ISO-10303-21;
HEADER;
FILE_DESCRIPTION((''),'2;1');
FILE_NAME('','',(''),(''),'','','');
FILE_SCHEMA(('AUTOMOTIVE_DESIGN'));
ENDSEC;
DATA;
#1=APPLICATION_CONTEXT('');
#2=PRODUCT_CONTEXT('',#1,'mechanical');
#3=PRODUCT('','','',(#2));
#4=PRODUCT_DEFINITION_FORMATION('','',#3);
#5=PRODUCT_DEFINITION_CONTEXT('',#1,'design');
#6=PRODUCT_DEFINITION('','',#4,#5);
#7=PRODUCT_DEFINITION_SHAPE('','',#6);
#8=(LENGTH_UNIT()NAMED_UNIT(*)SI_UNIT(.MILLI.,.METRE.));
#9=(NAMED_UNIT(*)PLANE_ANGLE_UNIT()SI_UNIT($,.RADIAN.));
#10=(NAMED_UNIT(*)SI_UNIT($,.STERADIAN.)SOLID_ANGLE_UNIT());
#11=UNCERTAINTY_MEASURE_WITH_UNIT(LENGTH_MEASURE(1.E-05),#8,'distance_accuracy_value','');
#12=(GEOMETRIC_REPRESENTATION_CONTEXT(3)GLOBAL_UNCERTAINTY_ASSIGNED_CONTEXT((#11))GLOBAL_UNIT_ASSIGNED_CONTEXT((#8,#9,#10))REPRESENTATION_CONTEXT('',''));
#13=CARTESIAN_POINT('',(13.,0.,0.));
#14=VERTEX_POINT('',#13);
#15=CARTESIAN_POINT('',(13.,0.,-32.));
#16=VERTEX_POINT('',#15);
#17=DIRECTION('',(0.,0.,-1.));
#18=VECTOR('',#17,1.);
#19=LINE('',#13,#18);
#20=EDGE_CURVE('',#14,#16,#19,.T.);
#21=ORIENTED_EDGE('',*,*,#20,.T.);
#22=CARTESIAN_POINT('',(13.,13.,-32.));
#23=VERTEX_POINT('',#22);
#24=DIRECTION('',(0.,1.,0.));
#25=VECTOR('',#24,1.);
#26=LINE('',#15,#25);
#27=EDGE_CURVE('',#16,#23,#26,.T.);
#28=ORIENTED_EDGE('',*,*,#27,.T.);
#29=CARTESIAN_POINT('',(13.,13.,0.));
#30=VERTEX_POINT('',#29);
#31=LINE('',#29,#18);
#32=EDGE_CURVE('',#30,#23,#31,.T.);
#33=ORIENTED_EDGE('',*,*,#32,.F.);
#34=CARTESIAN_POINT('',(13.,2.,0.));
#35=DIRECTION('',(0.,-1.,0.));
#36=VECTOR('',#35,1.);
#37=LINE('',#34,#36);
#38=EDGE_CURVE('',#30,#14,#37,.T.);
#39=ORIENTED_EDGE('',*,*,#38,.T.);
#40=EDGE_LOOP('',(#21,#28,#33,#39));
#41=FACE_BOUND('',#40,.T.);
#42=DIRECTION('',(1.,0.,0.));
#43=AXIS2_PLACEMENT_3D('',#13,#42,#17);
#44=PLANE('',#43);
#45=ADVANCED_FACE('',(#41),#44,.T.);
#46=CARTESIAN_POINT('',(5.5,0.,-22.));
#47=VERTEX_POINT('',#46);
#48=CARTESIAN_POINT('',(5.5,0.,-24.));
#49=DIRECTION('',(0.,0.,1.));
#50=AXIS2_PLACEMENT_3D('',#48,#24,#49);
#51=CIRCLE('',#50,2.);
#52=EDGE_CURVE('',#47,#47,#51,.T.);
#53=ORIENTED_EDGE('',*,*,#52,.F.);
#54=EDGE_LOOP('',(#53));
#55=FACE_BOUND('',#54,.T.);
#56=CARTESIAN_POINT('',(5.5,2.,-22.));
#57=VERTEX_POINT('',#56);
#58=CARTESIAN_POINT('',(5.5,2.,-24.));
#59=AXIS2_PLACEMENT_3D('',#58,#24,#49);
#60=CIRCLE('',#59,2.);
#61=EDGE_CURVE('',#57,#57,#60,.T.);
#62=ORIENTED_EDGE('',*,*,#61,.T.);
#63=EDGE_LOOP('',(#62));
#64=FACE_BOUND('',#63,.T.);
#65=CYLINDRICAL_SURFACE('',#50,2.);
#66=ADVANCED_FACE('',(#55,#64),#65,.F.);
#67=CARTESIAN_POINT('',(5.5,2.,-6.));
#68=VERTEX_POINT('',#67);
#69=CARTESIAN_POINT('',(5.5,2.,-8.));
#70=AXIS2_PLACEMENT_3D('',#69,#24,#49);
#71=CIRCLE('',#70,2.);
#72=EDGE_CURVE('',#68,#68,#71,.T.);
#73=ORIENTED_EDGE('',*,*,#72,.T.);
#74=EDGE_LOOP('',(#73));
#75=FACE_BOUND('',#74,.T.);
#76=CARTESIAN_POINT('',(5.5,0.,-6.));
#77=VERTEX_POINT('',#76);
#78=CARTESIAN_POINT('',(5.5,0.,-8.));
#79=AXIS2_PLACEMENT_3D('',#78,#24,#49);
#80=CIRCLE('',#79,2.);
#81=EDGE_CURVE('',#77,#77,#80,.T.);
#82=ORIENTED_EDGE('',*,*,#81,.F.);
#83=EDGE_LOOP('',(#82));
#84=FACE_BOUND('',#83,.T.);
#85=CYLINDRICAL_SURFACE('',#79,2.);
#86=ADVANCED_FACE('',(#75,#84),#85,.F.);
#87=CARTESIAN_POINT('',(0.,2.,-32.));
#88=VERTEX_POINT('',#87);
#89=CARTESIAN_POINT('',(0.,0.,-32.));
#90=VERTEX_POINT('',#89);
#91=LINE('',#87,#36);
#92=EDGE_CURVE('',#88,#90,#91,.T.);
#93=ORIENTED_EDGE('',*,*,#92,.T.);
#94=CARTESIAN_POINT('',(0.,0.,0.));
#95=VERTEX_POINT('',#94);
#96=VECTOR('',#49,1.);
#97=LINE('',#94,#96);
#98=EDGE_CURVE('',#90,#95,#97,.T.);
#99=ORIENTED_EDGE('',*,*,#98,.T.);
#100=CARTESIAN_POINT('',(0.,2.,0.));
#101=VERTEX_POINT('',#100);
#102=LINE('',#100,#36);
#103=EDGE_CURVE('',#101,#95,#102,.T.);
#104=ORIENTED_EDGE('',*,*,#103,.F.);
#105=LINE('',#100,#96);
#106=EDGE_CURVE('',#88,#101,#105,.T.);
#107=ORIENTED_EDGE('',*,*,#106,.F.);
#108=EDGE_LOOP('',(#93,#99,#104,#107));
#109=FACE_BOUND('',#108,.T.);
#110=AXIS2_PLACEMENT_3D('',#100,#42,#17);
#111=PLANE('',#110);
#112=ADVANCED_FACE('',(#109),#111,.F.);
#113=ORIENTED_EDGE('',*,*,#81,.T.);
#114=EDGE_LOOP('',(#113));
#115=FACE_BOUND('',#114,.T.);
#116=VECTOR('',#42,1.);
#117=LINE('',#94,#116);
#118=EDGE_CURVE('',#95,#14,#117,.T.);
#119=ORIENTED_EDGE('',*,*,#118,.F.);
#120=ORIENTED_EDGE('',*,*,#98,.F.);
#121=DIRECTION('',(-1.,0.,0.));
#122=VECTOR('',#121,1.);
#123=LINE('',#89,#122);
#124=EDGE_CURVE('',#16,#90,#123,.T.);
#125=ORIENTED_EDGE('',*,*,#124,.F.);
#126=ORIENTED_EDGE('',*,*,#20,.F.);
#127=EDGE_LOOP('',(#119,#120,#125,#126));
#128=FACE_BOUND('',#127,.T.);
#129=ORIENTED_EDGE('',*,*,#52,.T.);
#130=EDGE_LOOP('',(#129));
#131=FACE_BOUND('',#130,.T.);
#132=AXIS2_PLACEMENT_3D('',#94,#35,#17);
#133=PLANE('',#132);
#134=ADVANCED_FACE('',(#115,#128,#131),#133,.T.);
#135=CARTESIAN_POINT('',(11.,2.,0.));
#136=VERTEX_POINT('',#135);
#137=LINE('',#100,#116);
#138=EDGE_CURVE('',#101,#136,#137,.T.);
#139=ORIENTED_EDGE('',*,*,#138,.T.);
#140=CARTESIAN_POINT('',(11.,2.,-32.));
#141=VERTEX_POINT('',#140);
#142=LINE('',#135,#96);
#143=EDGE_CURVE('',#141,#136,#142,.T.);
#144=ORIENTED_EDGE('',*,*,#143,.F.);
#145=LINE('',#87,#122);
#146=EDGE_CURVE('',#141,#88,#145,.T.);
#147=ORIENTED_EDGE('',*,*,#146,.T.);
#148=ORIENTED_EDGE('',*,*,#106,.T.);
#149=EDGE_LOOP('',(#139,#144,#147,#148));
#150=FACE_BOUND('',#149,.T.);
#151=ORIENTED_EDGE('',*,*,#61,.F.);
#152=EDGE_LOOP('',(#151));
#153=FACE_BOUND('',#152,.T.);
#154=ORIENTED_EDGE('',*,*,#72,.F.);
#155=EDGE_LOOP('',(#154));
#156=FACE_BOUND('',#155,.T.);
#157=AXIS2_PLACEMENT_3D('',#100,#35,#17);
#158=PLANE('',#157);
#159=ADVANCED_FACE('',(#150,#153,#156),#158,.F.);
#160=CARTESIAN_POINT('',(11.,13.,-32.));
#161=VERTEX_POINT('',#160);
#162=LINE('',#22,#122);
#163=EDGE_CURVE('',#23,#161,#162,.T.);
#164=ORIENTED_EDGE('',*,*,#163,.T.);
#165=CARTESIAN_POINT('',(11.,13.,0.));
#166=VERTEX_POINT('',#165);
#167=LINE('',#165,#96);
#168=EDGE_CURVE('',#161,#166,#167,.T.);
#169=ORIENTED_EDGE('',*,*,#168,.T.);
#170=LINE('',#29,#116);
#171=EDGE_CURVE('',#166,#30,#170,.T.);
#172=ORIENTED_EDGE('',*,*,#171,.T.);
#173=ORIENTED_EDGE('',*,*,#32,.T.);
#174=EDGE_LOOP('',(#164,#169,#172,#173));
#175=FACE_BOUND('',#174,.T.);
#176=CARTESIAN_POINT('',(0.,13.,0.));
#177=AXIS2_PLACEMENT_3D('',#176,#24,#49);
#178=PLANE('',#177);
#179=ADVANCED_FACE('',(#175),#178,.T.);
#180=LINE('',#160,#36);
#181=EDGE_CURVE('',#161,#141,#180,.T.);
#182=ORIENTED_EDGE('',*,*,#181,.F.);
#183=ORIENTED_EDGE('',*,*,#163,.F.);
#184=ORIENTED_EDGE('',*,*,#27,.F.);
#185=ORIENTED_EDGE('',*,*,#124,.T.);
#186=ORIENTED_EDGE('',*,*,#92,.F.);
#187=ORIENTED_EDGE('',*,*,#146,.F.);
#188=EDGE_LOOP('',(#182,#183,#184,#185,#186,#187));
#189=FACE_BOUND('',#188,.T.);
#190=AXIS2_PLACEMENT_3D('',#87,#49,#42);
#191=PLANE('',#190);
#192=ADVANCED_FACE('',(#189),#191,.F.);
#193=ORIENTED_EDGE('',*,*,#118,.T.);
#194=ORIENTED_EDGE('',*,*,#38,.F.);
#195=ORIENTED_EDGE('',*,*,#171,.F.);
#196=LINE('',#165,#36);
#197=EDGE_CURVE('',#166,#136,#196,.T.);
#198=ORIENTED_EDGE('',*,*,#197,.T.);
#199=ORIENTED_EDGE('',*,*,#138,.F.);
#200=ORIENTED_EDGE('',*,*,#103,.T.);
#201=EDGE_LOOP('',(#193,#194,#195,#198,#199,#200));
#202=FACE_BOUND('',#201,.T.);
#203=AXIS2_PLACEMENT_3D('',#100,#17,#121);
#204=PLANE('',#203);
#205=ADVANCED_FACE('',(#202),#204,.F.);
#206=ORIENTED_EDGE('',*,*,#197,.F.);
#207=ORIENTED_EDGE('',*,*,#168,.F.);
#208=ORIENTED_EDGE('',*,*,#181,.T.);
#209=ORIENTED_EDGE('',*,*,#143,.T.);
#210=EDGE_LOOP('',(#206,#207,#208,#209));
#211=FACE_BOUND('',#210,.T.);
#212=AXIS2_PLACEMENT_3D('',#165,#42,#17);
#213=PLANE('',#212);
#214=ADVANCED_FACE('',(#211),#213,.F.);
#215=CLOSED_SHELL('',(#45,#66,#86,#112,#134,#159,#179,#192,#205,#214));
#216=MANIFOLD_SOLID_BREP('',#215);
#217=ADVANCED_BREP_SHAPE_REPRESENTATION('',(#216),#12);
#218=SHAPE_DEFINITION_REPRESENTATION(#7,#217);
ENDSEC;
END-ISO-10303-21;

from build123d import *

# Parameters (mm, degrees)
SKETCH1_W           = 11
SKETCH1_H           = 32
BOSS_EXTRUDE1_DEPTH = 2
SKETCH4_W           = 32
SKETCH4_H           = 2
BOSS_EXTRUDE2_DEPTH = 2
SKETCH5_W           = 2
SKETCH5_H           = 32
BOSS_EXTRUDE3_DEPTH = 11
CUT_EXTRUDE6_DEPTH  = 37.249137921


with BuildPart() as part:
    # Sketch1 → Boss-Extrude1 (new body)
    with BuildSketch(Plane(origin=(0, 0, 0), x_dir=(1, 0, 0), z_dir=(0, 1, 0))):
        with Locations((5.5, 16)):
            Rectangle(SKETCH1_W, SKETCH1_H)
    extrude(amount=BOSS_EXTRUDE1_DEPTH)

    # Sketch4 → Boss-Extrude2 (add)
    with BuildSketch(Plane(origin=(11, 0, 0), x_dir=(0, 0, -1), z_dir=(1, 0, 0))):
        with Locations((16, 1)):
            Rectangle(SKETCH4_W, SKETCH4_H)
    extrude(amount=BOSS_EXTRUDE2_DEPTH)

    # Sketch5 → Boss-Extrude3 (add)
    with BuildSketch(Plane(origin=(0, 2, 0), x_dir=(1, 0, 0), z_dir=(0, 1, 0))):
        with Locations((12, 16)):
            Rectangle(SKETCH5_W, SKETCH5_H)
    extrude(amount=BOSS_EXTRUDE3_DEPTH)

    # Sketch6 → Cut-Extrude6 (cut, through all)
    with BuildSketch(Plane(origin=(0, 2, 0), x_dir=(1, 0, 0), z_dir=(0, 1, 0))):
        with BuildLine():
            ThreePointArc((7.5, 8), (6.914213562, 9.414213562), (5.5, 10))
            Line((5.5, 10), (5.5, 6))
            ThreePointArc((5.5, 6), (6.914213562, 6.585786438), (7.5, 8))
        make_face()
        with BuildLine():
            Line((5.5, 6), (5.5, 10))
            ThreePointArc((5.5, 10), (3.5, 8), (5.5, 6))
        make_face()
        with BuildLine():
            ThreePointArc((5.5, 26), (3.5, 24), (5.5, 22))
            Line((5.5, 22), (5.5, 26))
        make_face()
        with BuildLine():
            Line((5.5, 26), (5.5, 22))
            ThreePointArc((5.5, 22), (6.914213562, 22.585786438), (7.5, 24))
            ThreePointArc((7.5, 24), (6.914213562, 25.414213562), (5.5, 26))
        make_face()
    extrude(amount=-CUT_EXTRUDE6_DEPTH, mode=Mode.SUBTRACT)


solid = part.part
